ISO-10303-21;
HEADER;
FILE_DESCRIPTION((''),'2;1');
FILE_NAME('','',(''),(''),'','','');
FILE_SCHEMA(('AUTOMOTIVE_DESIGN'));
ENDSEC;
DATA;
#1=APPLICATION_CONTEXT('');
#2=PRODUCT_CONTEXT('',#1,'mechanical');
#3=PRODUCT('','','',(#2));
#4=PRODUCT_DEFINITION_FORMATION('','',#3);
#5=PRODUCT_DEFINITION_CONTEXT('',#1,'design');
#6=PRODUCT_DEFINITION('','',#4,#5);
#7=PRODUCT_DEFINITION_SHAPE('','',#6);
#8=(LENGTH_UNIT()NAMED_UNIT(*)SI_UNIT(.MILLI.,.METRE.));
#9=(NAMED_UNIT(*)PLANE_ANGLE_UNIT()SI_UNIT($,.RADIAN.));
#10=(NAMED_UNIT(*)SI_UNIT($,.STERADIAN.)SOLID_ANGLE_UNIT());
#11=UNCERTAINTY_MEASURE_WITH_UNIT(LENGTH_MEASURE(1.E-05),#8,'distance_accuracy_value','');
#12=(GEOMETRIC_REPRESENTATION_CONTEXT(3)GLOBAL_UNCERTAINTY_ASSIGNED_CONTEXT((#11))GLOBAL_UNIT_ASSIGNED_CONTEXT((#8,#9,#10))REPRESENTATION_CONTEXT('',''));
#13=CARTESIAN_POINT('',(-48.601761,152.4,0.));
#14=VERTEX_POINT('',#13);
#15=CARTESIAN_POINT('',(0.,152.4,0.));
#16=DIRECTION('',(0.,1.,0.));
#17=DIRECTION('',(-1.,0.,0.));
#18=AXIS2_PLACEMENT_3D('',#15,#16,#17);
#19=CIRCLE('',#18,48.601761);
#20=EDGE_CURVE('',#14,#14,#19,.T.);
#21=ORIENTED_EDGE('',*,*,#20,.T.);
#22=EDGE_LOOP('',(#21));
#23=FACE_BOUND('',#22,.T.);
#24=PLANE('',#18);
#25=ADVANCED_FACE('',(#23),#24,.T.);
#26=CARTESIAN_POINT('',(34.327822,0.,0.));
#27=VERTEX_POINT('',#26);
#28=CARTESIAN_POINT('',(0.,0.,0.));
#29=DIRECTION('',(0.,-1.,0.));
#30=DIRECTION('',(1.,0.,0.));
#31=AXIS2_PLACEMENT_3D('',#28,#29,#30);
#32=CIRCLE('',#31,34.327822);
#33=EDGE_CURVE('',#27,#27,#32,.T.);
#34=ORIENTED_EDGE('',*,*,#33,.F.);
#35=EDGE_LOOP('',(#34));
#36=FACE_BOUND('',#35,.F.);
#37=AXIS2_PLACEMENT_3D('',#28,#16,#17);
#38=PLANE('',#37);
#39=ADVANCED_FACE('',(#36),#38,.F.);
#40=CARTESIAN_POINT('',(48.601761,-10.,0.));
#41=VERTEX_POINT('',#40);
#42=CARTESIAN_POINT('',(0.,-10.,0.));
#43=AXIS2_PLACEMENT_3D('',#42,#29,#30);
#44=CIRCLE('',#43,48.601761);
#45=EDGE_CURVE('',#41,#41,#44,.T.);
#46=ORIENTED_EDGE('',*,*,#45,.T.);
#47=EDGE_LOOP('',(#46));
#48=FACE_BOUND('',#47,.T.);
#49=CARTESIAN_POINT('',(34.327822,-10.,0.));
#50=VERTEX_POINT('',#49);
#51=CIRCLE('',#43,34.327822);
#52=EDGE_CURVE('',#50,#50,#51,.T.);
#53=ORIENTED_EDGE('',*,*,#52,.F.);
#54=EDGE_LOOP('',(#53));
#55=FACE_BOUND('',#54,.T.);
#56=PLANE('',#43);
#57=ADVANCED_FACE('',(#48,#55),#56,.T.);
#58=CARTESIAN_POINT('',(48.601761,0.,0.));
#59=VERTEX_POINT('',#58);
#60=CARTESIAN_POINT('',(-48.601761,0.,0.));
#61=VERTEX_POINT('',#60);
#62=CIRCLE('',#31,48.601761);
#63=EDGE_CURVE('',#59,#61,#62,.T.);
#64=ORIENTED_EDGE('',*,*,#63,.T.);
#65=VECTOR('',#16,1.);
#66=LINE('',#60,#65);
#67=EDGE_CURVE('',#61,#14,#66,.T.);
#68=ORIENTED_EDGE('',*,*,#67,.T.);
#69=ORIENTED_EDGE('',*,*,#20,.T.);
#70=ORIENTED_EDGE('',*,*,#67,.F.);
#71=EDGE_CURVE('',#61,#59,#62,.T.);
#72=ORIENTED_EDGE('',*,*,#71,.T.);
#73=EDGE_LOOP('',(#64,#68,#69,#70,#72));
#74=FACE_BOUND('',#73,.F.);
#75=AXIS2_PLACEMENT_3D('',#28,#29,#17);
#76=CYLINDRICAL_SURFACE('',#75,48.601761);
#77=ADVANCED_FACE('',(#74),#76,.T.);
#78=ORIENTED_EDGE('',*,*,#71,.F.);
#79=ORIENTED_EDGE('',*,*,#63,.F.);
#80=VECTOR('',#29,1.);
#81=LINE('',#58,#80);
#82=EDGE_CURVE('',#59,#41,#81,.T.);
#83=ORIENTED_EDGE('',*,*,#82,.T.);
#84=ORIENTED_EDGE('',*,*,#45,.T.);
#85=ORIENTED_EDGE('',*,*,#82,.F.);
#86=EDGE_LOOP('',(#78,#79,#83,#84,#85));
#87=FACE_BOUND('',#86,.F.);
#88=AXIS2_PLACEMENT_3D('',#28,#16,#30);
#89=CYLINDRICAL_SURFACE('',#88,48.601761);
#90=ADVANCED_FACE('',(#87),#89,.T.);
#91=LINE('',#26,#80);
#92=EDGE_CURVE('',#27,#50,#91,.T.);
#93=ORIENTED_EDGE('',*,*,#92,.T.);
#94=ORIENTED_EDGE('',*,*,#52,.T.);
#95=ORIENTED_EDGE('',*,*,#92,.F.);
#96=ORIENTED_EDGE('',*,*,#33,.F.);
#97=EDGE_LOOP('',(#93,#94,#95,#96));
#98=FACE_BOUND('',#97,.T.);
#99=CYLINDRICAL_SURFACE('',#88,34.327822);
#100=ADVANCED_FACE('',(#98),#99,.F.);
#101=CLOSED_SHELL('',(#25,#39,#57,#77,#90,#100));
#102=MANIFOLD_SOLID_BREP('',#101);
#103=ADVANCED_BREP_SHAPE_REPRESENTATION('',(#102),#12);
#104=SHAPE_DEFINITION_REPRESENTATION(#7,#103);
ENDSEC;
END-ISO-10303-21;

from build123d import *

# Parameters (mm, degrees)
F0_R     = 48.601761
F0_R_2   = 34.327822
F1_DEPTH = 10
F2_R     = 48.601761
F2_R_2   = 34.327822
F3_DEPTH = 152.4


with BuildPart() as f1:
    # F0 (on Front) → F1 (new body)
    with BuildSketch(Plane.XZ):
        Circle(F0_R)
        Circle(F0_R_2, mode=Mode.SUBTRACT)
    extrude(amount=F1_DEPTH)

    # F2 (on face) → F3 (join)
    with BuildSketch(Plane(origin=(0, 0, 0), x_dir=(-1, 0, 0), z_dir=(0, 1, 0))):
        Circle(F2_R)
        Circle(F2_R_2, mode=Mode.SUBTRACT)
        Circle(F2_R_2)
    extrude(amount=F3_DEPTH)


solid = f1.part
